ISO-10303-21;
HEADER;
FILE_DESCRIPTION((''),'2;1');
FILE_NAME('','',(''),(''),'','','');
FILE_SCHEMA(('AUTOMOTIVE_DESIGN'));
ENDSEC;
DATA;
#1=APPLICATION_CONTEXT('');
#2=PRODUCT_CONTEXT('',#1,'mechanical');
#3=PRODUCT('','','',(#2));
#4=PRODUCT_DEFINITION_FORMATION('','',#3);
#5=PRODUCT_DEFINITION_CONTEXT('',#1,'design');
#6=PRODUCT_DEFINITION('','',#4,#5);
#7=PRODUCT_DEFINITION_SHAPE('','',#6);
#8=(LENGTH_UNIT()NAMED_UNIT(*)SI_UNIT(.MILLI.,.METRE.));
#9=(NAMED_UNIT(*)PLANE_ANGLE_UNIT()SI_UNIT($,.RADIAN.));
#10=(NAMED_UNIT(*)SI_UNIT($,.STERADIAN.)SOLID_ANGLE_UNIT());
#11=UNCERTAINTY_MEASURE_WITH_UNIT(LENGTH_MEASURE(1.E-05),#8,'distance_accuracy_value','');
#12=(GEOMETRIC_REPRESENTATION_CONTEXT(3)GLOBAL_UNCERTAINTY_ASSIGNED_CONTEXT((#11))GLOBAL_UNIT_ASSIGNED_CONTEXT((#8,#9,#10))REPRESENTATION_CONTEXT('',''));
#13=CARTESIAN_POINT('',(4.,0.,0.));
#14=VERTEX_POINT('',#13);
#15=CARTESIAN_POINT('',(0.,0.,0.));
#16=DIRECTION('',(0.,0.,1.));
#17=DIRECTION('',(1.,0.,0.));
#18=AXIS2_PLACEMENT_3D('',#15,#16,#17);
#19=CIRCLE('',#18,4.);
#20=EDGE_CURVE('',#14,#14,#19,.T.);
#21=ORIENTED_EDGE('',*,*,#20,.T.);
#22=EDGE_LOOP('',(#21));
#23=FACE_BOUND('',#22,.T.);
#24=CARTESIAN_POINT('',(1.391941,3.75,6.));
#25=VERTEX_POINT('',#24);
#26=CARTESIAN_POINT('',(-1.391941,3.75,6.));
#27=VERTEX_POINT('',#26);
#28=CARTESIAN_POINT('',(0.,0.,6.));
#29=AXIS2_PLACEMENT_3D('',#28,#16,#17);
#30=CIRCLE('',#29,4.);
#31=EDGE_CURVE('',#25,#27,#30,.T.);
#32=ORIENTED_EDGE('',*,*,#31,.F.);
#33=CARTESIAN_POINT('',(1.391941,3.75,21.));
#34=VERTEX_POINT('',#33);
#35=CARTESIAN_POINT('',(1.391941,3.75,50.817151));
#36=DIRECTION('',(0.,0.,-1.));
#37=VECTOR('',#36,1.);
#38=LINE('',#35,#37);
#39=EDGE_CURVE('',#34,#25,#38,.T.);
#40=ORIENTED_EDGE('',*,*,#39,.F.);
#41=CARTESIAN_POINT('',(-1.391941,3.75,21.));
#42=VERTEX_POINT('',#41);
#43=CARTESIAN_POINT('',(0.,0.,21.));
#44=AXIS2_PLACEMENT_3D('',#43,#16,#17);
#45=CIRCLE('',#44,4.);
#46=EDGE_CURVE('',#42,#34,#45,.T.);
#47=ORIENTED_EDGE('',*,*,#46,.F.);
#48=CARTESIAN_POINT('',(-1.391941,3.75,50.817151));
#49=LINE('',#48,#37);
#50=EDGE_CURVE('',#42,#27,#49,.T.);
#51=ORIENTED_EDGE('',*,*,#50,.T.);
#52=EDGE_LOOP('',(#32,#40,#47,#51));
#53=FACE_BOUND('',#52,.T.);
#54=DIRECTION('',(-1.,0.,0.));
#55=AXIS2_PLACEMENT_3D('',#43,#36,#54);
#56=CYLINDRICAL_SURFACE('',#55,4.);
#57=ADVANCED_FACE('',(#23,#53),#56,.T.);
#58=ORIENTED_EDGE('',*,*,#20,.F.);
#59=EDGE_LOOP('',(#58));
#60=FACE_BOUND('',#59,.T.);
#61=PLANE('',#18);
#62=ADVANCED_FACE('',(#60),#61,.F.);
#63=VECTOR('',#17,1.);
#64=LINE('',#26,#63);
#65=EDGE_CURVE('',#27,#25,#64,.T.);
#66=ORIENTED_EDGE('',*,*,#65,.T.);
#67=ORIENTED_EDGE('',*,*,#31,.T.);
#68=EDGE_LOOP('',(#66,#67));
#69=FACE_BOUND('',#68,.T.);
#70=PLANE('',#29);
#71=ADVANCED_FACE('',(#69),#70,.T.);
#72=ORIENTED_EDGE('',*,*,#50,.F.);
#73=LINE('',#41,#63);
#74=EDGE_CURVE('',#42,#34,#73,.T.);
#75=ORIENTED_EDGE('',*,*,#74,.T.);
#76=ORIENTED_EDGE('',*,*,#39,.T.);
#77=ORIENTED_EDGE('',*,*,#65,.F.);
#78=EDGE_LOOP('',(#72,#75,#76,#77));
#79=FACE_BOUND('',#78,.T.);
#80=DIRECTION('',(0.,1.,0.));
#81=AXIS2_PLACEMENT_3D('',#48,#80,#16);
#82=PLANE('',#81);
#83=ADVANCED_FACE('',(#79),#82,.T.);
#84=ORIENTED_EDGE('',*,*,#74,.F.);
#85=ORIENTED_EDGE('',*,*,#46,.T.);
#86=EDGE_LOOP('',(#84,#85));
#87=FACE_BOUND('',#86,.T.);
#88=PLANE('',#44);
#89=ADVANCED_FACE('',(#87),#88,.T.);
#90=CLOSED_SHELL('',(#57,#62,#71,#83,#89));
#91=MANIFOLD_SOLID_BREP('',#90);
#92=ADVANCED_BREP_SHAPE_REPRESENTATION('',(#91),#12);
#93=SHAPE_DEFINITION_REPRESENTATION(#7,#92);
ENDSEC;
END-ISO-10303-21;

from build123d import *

# Parameters (mm, degrees)
SKETCH1_R               = 4
BOSS_EXTRUDE1_DEPTH     = 21
CUT_EXTRUDE1_DEPTH      = 1
CUT_EXTRUDE1_DEPTH_BACK = 15


with BuildPart() as part:
    # Sketch1 → Boss-Extrude1 (new body)
    with BuildSketch(Plane.XY):
        Circle(SKETCH1_R)
    extrude(amount=BOSS_EXTRUDE1_DEPTH)

    # Sketch2 → Cut-Extrude1 (cut, two sides)
    with BuildSketch(Plane.XY.offset(21)) as cut_extrude1_sk:
        Polygon((-30.274263906, 3.75), (-1.391941091, 3.75), (1.391941091, 3.75), (30.274263906, 3.75), (30.274263906, 61.514645631), (-30.274263906, 61.514645631), align=None)
    extrude(amount=CUT_EXTRUDE1_DEPTH, mode=Mode.SUBTRACT)
    extrude(cut_extrude1_sk.sketch, amount=-CUT_EXTRUDE1_DEPTH_BACK, mode=Mode.SUBTRACT)


solid = part.part
